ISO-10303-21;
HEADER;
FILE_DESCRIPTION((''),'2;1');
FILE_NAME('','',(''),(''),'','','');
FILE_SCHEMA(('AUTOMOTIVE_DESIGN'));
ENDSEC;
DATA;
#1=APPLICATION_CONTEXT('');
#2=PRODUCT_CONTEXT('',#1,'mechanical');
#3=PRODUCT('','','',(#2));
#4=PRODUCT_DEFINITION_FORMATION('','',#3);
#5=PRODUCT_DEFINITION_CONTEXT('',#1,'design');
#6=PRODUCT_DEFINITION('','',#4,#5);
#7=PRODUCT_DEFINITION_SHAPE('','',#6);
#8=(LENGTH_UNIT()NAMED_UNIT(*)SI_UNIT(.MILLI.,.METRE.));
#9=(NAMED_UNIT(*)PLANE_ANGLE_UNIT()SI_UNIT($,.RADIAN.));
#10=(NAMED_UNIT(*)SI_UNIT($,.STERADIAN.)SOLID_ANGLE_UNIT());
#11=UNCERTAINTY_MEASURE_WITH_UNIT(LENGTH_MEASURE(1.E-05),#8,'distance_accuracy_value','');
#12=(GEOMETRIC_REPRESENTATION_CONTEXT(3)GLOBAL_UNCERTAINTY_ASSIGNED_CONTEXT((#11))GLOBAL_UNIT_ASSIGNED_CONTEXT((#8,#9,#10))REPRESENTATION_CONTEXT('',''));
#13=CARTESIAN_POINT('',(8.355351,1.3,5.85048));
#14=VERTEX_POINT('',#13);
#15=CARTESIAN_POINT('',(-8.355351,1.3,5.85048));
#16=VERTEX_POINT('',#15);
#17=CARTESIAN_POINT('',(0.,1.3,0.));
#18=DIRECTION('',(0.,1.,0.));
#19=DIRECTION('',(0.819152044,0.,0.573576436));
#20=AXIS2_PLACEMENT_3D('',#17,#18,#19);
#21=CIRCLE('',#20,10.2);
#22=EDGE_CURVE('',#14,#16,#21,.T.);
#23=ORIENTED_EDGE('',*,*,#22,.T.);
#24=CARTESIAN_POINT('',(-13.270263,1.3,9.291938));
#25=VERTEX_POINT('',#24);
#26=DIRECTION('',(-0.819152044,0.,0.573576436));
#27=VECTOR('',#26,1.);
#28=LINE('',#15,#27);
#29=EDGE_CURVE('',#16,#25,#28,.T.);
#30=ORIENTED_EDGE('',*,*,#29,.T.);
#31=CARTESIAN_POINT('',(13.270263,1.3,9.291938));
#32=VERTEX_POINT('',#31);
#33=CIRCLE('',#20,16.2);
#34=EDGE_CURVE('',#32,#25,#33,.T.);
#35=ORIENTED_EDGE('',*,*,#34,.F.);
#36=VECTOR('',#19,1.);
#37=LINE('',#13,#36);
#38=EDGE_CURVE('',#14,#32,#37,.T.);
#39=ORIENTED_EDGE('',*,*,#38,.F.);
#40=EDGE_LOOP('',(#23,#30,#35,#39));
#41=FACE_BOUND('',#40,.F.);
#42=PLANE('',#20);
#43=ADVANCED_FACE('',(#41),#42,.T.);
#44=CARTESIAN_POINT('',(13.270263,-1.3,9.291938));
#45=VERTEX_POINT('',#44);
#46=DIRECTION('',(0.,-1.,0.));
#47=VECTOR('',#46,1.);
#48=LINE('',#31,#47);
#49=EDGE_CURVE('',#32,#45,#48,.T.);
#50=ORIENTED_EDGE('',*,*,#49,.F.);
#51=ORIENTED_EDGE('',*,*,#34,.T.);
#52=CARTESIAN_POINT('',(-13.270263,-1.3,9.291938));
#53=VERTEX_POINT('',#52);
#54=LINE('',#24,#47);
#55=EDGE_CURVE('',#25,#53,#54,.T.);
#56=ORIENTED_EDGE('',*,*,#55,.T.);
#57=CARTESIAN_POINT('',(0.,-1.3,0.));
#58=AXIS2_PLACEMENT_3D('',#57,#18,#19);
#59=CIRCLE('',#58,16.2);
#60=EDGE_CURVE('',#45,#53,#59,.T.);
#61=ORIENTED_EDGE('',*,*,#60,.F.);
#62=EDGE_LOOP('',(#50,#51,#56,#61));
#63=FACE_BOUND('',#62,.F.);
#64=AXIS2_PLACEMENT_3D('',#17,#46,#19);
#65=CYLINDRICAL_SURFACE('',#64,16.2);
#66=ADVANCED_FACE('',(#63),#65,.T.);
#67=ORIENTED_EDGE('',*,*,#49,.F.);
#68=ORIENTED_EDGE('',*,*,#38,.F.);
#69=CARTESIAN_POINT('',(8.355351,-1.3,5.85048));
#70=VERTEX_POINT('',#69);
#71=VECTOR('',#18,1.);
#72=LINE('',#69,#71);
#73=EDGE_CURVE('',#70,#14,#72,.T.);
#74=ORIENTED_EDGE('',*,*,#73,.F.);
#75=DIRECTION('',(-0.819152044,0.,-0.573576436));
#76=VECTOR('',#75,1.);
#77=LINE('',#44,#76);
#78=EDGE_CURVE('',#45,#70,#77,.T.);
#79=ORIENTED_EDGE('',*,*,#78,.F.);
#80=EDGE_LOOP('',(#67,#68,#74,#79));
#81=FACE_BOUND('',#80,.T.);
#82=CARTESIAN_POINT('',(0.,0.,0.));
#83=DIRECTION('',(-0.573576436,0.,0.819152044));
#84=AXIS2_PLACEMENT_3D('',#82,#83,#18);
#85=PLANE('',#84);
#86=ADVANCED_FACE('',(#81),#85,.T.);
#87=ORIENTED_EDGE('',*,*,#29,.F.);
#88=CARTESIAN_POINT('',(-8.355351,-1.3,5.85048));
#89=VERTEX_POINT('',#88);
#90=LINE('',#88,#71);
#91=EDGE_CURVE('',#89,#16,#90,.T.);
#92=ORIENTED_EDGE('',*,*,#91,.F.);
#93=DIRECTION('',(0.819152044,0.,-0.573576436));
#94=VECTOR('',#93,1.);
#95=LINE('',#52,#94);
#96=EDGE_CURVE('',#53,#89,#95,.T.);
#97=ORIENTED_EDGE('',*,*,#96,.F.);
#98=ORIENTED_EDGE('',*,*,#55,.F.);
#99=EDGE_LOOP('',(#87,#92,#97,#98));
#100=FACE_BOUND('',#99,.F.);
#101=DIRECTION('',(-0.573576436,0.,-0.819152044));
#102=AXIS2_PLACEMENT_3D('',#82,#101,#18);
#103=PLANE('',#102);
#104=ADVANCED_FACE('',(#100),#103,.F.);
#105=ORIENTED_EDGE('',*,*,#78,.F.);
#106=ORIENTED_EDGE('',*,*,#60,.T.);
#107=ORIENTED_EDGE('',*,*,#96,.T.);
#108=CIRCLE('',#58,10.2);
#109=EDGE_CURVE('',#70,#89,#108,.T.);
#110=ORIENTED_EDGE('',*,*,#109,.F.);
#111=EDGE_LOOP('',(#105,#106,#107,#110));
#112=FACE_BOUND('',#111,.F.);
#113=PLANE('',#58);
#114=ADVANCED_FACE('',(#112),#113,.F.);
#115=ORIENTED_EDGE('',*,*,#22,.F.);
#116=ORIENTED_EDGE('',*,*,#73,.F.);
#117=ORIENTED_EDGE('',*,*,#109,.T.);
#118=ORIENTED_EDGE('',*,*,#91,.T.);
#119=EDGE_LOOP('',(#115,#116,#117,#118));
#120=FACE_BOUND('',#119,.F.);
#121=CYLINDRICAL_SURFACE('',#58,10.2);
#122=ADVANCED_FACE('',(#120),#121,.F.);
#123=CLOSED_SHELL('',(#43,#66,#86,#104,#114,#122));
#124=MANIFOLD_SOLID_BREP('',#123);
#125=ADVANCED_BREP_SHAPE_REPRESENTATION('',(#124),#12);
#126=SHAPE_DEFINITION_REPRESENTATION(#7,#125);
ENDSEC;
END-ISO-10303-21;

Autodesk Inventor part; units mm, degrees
ref_plane "YZ Plane" through (0, 0, 0) normal (1, 0, 0) x (0, 1, 0)
ref_plane "XZ Plane" through (0, 0, 0) normal (0, 1, 0) x (-1, 0, 0)
ref_plane "XY Plane" through (0, 0, 0) normal (0, 0, 1) x (1, 0, 0)
sketch "스케치1" plane through (0, 0, 0) normal (1, 0, 0) x (0, 1, 0)
  line L0 (-1.3, -10.2) -> (1.3, -10.2)
  line L1 (1.3, -10.2) -> (1.3, -16.2)
  line L2 (1.3, -16.2) -> (-1.3, -16.2)
  line L3 (-1.3, -16.2) -> (-1.3, -10.2)
  line L4 (-1.3, -10.2) -> (1.3, -16.2) construction
  line L5 (1.3, -10.2) -> (-1.3, -16.2) construction
  line L6 (-2.1884, 0) -> (2.1884, 0)
  point P0 (0, 0)
  point P1 (0, -13.2)
  point P2 (0, 0)
  dimension "d0" = 2.6
  dimension "d1" = 6
  dimension "d2" = 10.2
revolve "회전1" add sketch "스케치1" angle 250 mid plane about axis through (0, -2.1884, 0) along (0, 1, 0)
properties part number "c_ring" material "고무, 검은색"
